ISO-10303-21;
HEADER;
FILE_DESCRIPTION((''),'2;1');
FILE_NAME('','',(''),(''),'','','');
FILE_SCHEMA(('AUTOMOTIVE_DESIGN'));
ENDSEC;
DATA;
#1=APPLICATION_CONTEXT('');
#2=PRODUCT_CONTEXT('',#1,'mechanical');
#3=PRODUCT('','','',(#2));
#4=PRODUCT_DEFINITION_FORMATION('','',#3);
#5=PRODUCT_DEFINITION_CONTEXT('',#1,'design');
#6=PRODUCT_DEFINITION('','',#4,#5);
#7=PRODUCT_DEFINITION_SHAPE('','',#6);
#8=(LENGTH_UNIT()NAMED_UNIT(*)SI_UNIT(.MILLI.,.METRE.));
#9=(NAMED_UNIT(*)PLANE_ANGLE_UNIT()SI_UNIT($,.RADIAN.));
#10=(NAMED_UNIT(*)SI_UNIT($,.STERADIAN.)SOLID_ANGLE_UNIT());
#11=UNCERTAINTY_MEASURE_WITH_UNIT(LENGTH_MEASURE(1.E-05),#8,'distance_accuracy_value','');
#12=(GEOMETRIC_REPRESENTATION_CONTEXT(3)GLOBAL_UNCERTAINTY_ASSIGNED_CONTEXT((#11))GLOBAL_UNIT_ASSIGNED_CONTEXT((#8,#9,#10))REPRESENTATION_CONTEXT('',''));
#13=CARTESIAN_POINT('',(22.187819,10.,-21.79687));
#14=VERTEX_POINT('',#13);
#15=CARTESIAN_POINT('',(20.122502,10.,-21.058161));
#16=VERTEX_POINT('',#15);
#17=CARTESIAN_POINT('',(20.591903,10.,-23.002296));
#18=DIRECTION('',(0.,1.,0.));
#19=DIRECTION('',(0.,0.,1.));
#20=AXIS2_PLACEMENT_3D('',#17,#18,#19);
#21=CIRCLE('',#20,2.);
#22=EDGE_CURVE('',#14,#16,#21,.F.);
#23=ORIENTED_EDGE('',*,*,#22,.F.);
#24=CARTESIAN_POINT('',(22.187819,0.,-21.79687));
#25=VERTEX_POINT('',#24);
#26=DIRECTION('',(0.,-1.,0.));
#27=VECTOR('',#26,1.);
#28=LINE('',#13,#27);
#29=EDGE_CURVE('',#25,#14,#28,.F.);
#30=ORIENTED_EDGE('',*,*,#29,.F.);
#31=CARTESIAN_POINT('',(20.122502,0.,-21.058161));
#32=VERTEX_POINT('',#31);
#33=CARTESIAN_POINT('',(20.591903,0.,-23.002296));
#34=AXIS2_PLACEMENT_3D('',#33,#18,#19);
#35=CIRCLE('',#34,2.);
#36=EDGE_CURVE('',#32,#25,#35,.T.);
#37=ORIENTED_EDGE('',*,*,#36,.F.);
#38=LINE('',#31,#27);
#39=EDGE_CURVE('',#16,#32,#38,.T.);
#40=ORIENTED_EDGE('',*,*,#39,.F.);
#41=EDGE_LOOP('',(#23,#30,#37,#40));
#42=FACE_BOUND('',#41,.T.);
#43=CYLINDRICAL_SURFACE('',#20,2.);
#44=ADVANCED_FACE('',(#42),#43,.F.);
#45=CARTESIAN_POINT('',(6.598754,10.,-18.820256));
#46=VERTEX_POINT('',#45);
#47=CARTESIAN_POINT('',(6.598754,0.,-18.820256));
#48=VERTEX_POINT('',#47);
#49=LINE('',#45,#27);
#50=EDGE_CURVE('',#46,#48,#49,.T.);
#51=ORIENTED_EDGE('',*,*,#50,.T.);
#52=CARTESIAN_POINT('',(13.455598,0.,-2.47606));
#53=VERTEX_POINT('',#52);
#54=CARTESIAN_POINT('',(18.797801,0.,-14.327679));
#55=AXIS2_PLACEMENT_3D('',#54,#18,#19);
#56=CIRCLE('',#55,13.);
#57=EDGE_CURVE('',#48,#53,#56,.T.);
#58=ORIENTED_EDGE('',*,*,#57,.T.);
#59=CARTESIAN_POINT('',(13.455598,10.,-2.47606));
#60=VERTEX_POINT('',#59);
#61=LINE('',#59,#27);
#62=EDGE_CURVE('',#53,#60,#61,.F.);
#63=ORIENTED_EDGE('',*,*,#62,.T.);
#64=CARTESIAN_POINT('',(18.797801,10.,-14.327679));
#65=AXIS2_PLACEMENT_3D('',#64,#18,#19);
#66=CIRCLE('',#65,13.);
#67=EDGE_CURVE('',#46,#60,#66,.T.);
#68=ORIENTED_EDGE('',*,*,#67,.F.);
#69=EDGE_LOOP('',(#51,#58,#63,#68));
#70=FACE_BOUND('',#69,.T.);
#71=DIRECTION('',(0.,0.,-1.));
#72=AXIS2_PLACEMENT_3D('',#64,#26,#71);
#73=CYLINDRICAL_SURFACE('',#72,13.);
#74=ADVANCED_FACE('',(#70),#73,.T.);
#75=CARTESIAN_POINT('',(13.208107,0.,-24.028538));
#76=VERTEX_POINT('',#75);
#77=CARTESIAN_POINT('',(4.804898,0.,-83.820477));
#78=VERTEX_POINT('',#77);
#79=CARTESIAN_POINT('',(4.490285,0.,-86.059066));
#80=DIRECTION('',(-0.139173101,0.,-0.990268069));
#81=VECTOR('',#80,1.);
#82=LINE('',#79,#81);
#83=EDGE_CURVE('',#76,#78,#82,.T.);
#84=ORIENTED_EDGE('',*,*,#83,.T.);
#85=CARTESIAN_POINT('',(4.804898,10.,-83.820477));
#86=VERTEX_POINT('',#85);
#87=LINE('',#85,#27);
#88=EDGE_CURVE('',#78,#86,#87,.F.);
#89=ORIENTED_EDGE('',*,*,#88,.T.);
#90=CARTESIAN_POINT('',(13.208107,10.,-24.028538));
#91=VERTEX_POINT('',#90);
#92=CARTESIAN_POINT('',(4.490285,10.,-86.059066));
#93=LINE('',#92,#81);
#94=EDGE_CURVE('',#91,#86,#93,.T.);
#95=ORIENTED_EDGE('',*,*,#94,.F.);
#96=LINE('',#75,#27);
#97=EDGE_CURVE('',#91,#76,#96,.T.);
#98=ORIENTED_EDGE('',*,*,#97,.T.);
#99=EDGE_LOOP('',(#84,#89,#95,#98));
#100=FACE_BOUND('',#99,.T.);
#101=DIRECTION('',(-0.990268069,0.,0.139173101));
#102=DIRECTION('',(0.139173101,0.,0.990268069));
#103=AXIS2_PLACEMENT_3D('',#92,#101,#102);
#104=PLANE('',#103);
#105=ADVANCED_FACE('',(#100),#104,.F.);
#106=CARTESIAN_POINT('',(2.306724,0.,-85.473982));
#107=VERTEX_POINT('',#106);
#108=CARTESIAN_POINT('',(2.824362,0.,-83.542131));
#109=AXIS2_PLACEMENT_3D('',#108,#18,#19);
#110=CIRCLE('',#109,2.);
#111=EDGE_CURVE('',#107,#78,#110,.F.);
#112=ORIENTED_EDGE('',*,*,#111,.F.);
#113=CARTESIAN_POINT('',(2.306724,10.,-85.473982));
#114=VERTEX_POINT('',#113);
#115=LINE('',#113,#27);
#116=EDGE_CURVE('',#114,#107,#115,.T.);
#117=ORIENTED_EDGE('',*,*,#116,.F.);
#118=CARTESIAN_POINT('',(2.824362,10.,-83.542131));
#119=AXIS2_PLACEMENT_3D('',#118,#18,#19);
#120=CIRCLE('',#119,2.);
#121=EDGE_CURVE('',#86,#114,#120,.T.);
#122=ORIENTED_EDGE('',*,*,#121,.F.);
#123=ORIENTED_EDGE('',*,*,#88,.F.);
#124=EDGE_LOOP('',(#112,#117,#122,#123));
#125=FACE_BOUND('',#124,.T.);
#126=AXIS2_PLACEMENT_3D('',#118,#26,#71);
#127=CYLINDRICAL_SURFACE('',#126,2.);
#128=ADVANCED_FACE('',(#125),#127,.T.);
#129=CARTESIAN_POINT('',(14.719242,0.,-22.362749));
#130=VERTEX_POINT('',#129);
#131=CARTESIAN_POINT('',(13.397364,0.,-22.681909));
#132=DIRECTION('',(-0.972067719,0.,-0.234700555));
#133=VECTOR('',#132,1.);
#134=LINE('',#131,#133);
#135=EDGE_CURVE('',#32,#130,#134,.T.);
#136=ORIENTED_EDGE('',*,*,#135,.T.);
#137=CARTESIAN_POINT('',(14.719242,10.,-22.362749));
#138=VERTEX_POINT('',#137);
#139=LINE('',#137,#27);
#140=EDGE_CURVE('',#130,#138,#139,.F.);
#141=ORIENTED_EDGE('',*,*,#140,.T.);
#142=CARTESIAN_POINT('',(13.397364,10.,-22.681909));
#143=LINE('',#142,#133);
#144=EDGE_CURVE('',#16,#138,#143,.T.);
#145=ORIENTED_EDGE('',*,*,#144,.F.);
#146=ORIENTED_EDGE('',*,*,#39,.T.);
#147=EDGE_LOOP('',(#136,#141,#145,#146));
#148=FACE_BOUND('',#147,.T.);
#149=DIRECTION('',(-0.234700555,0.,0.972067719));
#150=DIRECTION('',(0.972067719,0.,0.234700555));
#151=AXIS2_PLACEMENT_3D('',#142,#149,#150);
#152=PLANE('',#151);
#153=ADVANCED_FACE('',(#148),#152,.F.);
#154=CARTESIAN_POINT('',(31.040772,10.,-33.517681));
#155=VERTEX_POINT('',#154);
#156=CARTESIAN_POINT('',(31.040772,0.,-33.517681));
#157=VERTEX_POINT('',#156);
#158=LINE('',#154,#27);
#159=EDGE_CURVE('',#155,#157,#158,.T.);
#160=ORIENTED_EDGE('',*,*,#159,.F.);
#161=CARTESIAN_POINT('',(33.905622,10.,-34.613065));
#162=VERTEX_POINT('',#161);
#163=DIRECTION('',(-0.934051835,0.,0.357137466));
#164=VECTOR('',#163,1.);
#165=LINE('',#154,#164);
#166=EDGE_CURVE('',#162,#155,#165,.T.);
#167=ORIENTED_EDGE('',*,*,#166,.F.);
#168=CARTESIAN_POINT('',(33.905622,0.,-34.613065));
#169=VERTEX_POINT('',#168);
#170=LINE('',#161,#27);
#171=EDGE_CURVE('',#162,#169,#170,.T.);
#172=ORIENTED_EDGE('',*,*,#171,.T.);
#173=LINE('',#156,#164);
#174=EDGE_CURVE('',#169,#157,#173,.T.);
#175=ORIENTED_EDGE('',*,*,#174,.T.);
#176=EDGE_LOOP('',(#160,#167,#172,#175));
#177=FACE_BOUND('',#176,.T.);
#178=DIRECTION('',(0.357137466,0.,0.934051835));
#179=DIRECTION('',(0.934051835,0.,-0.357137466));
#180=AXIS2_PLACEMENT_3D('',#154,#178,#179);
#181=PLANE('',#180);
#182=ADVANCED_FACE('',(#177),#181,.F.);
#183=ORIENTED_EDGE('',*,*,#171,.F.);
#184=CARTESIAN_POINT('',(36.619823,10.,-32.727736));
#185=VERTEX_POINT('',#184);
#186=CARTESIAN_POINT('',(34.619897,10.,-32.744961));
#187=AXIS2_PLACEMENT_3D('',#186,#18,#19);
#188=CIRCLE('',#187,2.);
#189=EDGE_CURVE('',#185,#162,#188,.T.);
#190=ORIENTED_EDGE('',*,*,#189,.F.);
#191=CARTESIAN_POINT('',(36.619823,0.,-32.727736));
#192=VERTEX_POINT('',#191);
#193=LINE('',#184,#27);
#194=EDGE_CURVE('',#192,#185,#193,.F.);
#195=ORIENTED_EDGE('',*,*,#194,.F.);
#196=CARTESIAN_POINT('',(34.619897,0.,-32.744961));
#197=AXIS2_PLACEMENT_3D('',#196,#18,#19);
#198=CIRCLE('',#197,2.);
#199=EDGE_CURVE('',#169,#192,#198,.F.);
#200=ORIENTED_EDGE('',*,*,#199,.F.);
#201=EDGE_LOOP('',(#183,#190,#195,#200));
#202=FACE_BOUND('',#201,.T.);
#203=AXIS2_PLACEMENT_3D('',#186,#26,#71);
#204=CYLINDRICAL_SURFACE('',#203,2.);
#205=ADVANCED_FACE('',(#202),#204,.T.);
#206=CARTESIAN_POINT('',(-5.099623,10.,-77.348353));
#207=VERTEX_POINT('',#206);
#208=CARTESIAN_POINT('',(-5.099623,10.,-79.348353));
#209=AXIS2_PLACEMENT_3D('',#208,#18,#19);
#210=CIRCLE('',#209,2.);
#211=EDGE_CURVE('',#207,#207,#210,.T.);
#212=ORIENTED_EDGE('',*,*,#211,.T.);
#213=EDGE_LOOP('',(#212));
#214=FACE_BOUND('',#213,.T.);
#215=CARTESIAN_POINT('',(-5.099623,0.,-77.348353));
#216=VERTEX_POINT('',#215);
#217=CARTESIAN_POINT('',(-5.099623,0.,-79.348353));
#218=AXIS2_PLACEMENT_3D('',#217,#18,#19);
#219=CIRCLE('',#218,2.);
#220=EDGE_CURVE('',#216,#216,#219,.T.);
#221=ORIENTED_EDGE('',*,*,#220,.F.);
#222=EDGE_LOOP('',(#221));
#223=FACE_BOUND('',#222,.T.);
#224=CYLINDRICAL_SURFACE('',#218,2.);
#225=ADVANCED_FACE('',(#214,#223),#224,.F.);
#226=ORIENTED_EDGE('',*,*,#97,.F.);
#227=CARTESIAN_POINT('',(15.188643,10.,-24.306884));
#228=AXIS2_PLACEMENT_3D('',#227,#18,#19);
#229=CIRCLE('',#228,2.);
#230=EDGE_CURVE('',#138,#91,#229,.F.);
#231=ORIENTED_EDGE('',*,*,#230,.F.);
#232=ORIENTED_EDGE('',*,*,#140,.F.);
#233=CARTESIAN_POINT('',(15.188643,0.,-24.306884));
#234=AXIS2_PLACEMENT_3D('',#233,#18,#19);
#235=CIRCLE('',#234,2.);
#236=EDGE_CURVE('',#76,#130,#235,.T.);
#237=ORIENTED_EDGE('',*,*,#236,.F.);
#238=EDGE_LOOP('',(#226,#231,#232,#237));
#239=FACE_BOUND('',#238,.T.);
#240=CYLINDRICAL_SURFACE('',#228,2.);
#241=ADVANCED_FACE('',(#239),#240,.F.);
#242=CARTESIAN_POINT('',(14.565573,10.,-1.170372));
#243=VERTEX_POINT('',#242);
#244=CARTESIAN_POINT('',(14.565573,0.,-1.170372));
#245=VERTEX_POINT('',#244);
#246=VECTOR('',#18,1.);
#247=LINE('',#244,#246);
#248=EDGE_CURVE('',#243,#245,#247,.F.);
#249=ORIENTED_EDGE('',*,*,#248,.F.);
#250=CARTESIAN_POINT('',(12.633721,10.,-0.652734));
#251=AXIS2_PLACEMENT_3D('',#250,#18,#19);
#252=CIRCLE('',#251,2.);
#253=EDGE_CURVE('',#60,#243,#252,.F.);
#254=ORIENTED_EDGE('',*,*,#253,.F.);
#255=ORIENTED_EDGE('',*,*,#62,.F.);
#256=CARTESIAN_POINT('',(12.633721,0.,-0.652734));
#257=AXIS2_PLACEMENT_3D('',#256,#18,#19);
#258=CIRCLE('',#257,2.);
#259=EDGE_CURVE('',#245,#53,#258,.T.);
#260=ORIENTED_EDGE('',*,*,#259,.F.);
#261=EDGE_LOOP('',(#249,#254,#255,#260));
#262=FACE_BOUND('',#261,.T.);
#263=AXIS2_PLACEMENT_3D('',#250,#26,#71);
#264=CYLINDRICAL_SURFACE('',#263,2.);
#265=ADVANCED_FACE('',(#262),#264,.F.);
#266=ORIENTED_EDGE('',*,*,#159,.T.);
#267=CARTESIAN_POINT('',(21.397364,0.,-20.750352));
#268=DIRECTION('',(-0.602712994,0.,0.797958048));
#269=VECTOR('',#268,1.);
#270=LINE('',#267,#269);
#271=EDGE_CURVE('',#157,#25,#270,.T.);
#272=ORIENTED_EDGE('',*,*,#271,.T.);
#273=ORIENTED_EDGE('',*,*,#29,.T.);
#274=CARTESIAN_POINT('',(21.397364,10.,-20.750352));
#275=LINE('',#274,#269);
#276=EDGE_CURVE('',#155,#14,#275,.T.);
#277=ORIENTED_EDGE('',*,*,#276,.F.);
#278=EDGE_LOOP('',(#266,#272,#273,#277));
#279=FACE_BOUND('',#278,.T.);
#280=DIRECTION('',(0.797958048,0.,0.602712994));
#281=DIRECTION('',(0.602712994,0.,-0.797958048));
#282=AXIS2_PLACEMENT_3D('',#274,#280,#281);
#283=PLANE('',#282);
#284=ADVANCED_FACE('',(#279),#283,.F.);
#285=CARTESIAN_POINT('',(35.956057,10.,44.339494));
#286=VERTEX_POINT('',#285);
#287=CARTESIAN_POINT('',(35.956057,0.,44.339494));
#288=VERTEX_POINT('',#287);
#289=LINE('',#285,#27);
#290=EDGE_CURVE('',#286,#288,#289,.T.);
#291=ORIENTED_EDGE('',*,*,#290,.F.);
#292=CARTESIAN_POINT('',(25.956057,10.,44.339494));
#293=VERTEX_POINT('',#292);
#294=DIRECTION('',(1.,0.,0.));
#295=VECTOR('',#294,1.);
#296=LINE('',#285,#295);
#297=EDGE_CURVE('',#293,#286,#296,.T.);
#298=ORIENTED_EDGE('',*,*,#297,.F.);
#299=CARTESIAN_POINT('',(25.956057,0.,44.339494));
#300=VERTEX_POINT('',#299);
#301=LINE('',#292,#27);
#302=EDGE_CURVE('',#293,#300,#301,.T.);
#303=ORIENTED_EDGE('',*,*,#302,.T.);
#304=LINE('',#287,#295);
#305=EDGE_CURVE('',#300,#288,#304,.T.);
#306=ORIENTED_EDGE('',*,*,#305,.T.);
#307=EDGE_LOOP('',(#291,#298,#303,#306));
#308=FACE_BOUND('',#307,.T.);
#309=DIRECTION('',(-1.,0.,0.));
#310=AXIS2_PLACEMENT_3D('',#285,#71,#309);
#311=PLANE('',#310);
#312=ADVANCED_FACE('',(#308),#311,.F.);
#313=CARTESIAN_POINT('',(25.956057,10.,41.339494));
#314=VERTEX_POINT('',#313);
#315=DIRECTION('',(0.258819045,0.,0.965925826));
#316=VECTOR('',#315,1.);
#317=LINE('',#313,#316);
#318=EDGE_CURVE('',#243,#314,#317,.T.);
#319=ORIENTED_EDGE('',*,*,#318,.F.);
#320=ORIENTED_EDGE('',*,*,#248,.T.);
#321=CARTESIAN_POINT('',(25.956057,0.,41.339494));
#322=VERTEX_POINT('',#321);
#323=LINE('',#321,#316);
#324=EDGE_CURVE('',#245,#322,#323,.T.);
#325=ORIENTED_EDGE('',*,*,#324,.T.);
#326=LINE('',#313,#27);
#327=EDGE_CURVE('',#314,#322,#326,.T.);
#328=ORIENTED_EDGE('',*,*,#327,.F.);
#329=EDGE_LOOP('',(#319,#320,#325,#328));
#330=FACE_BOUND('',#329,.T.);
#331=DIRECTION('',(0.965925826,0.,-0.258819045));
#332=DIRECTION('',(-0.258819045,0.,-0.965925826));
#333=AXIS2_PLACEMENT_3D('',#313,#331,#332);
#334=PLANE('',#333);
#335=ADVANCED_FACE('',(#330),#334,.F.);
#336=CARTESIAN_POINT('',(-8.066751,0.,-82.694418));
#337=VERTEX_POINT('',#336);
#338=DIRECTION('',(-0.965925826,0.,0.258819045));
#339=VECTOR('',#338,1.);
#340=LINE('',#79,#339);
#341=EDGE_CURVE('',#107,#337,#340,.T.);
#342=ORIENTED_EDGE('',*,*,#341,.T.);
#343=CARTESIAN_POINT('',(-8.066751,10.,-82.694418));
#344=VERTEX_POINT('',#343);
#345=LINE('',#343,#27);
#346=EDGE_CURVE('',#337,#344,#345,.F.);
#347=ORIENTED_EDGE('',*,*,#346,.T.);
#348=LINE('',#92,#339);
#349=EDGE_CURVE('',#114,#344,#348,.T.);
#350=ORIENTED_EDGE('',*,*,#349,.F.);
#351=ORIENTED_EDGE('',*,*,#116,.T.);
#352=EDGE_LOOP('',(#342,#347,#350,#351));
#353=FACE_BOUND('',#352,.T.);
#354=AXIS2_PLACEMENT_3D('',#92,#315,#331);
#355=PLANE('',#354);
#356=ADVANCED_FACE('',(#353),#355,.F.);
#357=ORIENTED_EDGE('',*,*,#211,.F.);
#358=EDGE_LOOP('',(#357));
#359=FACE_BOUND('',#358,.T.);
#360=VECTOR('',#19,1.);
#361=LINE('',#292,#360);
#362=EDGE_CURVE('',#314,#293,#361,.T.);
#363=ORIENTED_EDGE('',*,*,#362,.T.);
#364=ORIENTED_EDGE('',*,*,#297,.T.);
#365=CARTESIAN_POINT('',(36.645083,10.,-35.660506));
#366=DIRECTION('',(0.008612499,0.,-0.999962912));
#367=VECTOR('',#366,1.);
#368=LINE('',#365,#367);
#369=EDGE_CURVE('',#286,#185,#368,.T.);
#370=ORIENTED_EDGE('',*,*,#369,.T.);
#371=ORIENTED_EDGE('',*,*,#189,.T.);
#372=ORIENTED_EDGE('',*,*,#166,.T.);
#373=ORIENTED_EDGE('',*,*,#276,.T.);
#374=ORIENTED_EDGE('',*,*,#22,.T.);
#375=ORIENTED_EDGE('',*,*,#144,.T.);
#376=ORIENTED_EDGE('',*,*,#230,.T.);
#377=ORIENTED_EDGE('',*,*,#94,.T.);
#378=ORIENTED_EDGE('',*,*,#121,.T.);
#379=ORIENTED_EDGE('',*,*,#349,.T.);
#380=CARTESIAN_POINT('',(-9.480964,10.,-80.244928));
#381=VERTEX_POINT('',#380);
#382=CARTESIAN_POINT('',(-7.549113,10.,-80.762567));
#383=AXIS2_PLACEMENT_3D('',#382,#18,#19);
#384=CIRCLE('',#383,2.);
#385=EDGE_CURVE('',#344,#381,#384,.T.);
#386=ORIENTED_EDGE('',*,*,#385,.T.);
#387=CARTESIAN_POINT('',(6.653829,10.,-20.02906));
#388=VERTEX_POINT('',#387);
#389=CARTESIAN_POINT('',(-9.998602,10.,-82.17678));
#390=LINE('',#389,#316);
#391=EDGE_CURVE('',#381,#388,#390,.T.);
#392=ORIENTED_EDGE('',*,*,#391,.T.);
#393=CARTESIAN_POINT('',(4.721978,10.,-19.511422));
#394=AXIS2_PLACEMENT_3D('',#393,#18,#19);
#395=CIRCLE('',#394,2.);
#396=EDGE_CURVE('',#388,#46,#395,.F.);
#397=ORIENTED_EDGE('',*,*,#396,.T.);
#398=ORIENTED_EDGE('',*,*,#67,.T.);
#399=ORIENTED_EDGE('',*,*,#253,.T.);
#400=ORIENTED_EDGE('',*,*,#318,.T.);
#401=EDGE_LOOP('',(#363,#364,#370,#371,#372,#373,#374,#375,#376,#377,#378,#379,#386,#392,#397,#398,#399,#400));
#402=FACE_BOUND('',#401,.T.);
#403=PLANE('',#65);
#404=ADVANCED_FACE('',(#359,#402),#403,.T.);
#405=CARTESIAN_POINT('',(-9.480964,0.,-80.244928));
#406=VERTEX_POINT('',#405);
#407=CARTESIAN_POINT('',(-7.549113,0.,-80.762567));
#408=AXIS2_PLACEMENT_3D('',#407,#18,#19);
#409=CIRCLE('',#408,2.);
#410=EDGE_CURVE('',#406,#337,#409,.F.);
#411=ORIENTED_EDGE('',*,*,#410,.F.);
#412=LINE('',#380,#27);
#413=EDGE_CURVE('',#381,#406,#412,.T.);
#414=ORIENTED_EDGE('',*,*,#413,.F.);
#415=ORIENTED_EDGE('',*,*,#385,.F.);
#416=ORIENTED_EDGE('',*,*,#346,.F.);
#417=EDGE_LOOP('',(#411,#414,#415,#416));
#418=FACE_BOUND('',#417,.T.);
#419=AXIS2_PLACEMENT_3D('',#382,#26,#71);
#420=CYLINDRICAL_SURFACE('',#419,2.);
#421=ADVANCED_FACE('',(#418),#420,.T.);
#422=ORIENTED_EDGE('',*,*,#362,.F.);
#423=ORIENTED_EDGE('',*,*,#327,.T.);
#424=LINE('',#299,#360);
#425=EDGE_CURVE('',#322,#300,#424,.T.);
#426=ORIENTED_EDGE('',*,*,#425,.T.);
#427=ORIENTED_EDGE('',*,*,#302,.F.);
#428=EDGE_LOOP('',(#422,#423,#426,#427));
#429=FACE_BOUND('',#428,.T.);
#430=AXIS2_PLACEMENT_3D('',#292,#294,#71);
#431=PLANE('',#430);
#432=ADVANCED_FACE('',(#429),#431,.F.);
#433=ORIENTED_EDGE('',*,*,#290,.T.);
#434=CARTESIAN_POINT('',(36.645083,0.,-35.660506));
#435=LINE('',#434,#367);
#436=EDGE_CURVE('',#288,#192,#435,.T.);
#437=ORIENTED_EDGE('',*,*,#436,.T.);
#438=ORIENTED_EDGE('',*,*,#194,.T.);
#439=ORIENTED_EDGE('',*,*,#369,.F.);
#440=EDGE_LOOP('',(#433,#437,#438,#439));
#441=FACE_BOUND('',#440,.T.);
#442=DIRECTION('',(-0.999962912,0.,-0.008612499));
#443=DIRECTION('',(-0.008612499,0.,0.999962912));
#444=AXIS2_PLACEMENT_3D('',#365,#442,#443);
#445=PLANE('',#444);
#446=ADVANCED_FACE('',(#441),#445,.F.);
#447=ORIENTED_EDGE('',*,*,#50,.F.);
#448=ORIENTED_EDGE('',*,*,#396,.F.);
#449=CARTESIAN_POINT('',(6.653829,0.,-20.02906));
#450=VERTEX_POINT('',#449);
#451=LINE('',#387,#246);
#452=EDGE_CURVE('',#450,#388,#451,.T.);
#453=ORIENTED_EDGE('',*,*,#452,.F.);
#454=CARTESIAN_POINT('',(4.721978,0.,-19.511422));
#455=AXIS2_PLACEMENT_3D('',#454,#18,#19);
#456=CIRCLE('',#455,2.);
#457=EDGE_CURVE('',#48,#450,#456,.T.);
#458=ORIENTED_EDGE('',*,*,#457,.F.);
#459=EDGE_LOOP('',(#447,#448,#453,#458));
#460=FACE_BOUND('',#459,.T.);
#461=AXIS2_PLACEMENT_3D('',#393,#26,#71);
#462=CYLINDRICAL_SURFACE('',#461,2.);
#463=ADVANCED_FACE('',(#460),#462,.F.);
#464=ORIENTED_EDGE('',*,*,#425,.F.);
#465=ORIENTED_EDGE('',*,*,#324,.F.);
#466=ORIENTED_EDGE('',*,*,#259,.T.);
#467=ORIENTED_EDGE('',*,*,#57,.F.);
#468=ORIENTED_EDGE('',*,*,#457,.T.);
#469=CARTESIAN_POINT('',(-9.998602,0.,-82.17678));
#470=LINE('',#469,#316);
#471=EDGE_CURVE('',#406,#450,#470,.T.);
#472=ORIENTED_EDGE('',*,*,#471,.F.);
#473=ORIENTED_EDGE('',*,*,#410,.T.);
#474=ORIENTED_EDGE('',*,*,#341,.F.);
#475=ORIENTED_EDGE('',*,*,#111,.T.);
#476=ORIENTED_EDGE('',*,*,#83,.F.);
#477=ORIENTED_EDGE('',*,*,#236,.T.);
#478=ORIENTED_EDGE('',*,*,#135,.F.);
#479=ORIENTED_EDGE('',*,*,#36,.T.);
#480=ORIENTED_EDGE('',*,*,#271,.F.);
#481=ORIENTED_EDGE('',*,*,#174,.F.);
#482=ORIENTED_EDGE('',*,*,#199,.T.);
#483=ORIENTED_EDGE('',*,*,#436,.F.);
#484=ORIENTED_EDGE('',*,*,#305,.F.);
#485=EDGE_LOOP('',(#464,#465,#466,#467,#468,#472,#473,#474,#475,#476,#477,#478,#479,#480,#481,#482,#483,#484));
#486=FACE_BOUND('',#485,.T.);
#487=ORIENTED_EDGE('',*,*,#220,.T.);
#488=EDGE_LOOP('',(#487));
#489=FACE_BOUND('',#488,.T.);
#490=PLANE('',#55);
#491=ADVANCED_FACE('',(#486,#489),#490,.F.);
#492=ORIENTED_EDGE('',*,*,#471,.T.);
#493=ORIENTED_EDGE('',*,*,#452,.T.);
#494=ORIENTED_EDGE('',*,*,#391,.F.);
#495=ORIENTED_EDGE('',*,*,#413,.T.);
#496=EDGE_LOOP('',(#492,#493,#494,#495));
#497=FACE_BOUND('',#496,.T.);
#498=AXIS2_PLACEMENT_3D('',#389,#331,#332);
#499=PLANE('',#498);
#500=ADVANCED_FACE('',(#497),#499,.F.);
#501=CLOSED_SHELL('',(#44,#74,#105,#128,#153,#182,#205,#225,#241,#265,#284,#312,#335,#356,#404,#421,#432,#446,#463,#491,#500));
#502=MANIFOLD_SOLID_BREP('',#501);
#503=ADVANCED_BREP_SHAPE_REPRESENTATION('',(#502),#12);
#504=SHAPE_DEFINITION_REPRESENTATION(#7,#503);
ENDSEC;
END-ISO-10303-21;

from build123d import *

# Parameters (mm, degrees)
BOSS_EXTRUDE1_DEPTH = 10
SKETCH2_R           = 2
CUT_EXTRUDE1_DEPTH  = 95.069255763
FILLET2_R           = 2


with BuildPart() as part:
    # Sketch1 → Boss-Extrude1 (new body)
    with BuildSketch(Plane(origin=(0, 0, 0), x_dir=(1, 0, 0), z_dir=(0, 1, 0))):
        with BuildLine():
            Line((4.490285151, 86.059065801), (-9.998602244, 82.176780125))
            Line((-9.998602244, 82.176780125), (6.824635688, 19.391601416))
            ThreePointArc((6.824635688, 19.391601416), (6.870412184, 9.156856882), (14.309200004, 2.127167918))
            Line((14.309200004, 2.127167918), (25.956057034, -41.339494265))
            Line((25.956057034, -41.339494265), (25.956057034, -44.339494265))
            Line((25.956057034, -44.339494265), (35.956057034, -44.339494265))
            Line((35.956057034, -44.339494265), (36.645082525, 35.660505735))
            Line((36.645082525, 35.660505735), (31.040771516, 33.517680938))
            Line((31.040771516, 33.517680938), (21.397363612, 20.750352164))
            Line((21.397363612, 20.750352164), (13.397363612, 22.681909402))
            Line((13.397363612, 22.681909402), (4.490285151, 86.059065801))
        make_face()
    extrude(amount=BOSS_EXTRUDE1_DEPTH)

    # Sketch2 → Cut-Extrude1 (cut, through all)
    with BuildSketch(Plane(origin=(0, 10, 0), x_dir=(1, 0, 0), z_dir=(0, 1, 0))):
        with Locations(Location((-5.099622758, 79.348353, 0), (0, 0, 270))):
            Circle(SKETCH2_R)
    extrude(amount=-CUT_EXTRUDE1_DEPTH, mode=Mode.SUBTRACT)

    # Fillet2
    fillet2_edges = [part.edges().sort_by_distance(p)[0] for p in [
        (13.397363612, 5, -22.681909402),
        (21.397363612, 5, -20.750352164),
        (36.645082525, 5, -35.660505735),
        (14.309200004, 5, -2.127167918),
        (6.824635688, 5, -19.391601416),
        (-9.998602244, 5, -82.176780125),
        (4.490285151, 5, -86.059065801),
    ]]
    fillet(fillet2_edges, radius=FILLET2_R)


solid = part.part
